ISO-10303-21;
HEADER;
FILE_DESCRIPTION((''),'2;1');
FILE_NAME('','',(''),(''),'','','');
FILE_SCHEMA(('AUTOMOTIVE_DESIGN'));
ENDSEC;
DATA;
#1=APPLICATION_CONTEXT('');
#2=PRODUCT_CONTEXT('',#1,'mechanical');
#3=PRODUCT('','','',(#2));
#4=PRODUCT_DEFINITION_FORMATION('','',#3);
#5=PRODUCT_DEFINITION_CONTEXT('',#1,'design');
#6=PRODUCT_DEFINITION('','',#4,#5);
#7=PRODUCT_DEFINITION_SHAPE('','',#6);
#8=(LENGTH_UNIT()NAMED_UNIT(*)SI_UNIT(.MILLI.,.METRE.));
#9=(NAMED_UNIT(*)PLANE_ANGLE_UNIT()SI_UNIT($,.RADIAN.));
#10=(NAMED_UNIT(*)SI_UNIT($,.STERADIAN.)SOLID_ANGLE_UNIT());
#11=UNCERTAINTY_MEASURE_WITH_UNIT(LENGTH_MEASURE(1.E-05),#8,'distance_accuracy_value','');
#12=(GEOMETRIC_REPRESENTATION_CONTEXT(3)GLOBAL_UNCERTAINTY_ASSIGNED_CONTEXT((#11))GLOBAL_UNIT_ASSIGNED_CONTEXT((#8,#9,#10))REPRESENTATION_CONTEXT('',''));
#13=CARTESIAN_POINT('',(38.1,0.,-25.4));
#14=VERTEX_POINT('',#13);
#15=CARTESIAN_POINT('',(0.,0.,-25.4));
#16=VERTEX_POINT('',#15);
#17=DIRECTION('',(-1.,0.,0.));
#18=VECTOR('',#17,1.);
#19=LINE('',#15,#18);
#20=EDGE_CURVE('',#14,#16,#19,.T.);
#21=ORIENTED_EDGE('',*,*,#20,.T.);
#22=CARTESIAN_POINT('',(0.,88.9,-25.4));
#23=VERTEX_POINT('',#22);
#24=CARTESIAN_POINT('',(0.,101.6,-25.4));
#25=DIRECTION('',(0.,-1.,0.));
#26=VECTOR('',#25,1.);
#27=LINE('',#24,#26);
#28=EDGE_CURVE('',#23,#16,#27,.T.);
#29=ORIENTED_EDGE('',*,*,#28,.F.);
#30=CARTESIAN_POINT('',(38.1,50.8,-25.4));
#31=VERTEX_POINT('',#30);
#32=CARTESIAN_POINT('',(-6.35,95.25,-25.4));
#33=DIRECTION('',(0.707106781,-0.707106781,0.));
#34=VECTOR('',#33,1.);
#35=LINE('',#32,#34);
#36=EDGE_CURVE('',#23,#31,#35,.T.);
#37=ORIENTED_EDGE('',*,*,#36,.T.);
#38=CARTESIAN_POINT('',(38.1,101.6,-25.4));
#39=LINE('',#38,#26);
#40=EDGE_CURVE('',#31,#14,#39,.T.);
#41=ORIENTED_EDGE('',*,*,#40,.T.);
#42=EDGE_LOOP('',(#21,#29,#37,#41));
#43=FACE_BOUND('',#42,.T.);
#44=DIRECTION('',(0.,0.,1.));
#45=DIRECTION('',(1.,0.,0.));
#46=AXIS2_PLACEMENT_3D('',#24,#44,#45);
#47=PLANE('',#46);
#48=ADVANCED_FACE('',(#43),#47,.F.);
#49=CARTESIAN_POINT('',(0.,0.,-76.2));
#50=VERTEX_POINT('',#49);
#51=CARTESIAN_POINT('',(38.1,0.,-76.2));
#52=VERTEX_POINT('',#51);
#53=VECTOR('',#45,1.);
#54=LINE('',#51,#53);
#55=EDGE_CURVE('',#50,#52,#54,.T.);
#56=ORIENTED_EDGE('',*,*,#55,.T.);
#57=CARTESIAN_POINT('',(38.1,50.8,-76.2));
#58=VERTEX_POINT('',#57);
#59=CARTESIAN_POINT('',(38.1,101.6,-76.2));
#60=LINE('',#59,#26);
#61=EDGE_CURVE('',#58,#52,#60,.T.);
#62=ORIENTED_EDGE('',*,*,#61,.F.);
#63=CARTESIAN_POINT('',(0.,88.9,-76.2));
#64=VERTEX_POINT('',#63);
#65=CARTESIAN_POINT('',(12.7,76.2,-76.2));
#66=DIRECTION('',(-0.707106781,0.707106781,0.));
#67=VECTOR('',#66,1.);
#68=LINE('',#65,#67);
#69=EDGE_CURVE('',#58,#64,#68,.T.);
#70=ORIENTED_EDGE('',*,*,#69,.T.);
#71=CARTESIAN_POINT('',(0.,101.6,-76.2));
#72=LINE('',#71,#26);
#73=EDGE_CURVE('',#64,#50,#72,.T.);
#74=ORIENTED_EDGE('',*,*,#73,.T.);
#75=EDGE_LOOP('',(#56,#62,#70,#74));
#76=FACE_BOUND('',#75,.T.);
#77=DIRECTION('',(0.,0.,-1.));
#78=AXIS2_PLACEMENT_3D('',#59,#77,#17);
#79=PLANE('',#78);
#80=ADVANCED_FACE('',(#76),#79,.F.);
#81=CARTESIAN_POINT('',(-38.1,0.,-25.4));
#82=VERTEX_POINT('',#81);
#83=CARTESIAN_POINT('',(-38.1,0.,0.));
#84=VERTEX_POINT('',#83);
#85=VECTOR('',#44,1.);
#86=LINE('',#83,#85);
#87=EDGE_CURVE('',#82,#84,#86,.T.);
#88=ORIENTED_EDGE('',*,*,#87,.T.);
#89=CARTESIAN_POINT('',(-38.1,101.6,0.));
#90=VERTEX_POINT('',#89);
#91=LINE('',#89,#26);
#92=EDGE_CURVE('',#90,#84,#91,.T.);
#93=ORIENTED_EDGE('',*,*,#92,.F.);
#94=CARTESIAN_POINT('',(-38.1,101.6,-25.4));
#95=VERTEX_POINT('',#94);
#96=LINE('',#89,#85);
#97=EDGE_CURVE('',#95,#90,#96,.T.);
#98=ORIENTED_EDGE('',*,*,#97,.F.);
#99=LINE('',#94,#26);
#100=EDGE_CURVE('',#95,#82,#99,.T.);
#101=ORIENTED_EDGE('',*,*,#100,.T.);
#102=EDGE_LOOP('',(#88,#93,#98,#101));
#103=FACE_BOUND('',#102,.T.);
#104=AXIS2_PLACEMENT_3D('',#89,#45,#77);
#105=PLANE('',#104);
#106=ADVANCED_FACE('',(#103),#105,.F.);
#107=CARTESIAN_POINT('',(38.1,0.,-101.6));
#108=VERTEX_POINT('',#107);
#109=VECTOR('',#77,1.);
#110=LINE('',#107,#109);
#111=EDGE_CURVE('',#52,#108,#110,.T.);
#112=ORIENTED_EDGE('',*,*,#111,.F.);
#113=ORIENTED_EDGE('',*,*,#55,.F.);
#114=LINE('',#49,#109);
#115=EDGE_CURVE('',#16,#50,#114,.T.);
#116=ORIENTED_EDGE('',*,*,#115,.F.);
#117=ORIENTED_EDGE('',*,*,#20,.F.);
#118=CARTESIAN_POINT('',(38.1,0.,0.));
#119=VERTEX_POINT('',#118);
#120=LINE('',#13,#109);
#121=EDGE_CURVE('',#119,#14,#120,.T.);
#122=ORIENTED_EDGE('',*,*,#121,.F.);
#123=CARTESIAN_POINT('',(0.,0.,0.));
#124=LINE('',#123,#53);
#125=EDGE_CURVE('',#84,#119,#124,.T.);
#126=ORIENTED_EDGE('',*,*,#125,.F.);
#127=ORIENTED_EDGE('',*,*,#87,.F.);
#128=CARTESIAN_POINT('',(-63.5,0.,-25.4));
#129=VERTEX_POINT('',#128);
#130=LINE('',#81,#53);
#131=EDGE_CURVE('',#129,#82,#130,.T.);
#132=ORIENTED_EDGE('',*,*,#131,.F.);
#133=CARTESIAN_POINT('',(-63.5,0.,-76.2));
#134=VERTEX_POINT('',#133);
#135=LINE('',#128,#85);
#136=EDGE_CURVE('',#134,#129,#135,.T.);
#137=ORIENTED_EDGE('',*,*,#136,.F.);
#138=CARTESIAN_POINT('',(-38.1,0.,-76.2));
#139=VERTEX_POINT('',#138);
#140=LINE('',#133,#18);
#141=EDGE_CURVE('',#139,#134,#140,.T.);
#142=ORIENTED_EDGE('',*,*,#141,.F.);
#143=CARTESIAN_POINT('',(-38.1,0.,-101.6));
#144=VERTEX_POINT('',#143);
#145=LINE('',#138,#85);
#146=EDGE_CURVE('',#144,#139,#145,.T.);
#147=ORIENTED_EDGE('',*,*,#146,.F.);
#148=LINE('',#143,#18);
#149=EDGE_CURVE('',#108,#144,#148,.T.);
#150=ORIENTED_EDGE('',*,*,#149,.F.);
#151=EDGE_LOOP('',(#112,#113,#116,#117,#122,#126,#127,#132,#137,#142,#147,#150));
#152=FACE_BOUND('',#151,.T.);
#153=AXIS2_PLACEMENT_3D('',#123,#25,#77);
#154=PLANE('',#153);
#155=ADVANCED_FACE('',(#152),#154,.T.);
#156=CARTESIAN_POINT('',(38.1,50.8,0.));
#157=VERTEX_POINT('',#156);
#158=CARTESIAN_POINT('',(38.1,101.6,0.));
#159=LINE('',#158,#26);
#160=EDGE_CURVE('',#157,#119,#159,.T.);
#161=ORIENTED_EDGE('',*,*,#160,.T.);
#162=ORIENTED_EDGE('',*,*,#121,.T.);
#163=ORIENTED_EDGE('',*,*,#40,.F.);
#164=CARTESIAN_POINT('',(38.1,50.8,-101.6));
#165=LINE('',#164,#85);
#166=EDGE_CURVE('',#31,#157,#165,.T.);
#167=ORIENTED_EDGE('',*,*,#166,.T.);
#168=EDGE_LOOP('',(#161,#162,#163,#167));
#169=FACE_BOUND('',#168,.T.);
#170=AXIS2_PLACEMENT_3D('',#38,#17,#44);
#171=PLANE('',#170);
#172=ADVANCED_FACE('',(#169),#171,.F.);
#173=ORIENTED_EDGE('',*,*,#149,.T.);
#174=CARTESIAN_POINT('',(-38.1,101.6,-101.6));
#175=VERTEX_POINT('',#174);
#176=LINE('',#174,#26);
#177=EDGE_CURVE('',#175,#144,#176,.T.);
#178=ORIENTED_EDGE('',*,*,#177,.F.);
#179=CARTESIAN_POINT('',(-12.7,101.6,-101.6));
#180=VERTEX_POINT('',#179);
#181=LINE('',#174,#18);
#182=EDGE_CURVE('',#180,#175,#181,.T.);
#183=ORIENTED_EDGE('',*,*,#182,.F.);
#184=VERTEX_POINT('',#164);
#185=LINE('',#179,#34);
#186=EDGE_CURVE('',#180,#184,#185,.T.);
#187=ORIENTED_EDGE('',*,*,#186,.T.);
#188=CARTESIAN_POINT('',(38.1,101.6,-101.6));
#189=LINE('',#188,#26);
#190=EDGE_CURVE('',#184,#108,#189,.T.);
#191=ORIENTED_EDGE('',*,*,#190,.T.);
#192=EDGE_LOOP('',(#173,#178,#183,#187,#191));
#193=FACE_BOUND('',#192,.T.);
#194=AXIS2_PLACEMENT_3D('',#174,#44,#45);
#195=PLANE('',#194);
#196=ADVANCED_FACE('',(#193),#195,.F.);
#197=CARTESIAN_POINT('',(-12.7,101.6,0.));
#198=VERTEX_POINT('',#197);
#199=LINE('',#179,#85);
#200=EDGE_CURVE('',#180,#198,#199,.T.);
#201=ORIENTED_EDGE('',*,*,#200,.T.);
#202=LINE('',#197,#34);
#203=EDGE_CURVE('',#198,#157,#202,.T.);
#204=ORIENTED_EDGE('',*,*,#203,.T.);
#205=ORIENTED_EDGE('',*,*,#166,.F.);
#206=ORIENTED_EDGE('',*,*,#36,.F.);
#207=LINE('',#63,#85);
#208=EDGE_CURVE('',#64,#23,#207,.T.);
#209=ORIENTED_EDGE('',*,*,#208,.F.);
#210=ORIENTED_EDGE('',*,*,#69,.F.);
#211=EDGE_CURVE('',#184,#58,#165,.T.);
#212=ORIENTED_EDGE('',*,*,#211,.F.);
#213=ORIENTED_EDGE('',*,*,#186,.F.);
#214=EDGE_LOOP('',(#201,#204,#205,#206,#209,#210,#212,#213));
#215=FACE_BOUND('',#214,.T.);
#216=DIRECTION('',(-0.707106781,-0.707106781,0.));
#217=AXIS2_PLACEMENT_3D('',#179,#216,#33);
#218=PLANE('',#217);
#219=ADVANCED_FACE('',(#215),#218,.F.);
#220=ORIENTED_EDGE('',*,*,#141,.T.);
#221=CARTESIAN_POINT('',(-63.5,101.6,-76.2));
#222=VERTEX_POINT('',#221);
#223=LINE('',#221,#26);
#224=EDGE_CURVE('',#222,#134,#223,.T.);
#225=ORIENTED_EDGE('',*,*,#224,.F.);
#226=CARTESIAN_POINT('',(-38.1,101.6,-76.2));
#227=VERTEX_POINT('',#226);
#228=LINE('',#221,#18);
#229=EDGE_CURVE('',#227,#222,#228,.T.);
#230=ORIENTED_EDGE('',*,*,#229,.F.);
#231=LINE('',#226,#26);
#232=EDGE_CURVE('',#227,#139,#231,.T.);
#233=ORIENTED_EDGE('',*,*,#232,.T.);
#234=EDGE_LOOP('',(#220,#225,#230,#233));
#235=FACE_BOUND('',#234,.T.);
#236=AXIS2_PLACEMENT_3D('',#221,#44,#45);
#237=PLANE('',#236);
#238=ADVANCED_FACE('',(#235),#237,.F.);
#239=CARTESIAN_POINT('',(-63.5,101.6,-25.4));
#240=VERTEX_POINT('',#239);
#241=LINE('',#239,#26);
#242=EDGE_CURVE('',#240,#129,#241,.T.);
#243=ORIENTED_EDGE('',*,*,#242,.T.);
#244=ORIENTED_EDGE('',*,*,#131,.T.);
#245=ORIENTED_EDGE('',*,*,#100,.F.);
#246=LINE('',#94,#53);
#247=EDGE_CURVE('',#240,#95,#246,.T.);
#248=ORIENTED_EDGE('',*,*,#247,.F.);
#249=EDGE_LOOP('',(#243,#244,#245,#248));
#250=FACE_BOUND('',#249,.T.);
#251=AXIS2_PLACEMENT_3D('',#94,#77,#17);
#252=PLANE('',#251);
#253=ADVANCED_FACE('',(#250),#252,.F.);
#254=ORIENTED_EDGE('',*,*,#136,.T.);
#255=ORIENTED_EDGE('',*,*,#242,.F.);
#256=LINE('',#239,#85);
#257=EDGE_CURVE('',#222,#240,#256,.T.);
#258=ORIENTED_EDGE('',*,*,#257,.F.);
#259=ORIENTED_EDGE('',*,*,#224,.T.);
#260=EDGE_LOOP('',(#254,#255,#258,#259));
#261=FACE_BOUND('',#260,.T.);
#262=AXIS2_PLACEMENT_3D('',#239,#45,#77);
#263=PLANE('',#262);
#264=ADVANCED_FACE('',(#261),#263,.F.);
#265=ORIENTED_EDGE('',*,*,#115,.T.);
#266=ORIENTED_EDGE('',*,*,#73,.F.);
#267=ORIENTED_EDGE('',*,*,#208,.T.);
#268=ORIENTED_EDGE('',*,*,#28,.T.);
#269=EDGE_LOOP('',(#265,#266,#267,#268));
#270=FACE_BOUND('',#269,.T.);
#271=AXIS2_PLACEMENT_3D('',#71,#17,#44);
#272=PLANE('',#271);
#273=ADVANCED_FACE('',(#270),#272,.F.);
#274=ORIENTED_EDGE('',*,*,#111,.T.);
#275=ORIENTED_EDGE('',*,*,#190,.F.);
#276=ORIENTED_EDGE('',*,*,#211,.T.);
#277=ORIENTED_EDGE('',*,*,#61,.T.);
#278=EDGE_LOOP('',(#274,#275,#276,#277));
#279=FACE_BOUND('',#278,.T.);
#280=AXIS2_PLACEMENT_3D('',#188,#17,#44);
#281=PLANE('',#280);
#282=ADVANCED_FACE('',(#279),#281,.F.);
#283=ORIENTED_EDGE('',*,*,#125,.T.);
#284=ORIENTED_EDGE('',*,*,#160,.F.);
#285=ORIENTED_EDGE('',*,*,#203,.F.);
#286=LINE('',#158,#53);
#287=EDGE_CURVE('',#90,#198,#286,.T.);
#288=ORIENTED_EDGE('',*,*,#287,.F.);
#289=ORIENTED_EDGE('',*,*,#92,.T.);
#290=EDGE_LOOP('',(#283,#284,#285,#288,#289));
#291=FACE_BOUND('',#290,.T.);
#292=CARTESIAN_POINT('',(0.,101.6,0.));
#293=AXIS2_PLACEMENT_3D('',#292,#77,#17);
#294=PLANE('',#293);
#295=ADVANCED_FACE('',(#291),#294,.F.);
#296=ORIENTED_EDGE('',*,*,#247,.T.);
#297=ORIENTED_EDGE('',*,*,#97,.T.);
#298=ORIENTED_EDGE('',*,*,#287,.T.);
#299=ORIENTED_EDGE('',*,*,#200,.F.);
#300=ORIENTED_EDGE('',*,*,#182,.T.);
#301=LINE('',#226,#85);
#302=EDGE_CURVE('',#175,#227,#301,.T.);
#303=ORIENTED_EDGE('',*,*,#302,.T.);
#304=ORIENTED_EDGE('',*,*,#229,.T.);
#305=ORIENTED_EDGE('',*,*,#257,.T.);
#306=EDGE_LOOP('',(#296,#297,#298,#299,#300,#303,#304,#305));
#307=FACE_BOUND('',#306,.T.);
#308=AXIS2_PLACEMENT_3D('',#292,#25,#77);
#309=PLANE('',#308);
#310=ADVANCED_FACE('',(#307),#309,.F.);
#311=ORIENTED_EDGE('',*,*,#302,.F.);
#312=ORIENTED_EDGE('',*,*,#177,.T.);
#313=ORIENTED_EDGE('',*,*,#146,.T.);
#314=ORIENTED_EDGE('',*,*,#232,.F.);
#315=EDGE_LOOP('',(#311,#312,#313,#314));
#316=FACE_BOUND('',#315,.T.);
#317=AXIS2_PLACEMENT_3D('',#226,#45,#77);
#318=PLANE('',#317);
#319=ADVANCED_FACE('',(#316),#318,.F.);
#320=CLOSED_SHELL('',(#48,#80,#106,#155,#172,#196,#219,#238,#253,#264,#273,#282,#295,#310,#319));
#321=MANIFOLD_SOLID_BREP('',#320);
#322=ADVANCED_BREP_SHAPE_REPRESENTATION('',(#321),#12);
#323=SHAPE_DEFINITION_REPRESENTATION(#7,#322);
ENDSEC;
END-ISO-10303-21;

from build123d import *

# Parameters (mm, degrees)
BOSS_EXTRUDE1_DEPTH = 101.6
CUT_EXTRUDE2_DEPTH  = 102.6


with BuildPart() as part:
    # Sketch1 → Boss-Extrude1 (new body)
    with BuildSketch(Plane(origin=(0, 0, 0), x_dir=(1, 0, 0), z_dir=(0, 1, 0))):
        Polygon((0, 0), (-38.1, 0), (-38.1, 25.4), (-63.5, 25.4), (-63.5, 76.2), (-38.1, 76.2), (-38.1, 101.6), (38.1, 101.6), (38.1, 76.2), (0, 76.2), (0, 25.4), (38.1, 25.4), (38.1, 0), align=None)
    extrude(amount=BOSS_EXTRUDE1_DEPTH)

    # Sketch2 → Cut-Extrude2 (cut, through all)
    with BuildSketch(Plane.XY):
        Polygon((-12.7, 101.6), (38.1, 50.8), (38.1, 101.6), align=None)
    extrude(amount=-CUT_EXTRUDE2_DEPTH, mode=Mode.SUBTRACT)


solid = part.part
